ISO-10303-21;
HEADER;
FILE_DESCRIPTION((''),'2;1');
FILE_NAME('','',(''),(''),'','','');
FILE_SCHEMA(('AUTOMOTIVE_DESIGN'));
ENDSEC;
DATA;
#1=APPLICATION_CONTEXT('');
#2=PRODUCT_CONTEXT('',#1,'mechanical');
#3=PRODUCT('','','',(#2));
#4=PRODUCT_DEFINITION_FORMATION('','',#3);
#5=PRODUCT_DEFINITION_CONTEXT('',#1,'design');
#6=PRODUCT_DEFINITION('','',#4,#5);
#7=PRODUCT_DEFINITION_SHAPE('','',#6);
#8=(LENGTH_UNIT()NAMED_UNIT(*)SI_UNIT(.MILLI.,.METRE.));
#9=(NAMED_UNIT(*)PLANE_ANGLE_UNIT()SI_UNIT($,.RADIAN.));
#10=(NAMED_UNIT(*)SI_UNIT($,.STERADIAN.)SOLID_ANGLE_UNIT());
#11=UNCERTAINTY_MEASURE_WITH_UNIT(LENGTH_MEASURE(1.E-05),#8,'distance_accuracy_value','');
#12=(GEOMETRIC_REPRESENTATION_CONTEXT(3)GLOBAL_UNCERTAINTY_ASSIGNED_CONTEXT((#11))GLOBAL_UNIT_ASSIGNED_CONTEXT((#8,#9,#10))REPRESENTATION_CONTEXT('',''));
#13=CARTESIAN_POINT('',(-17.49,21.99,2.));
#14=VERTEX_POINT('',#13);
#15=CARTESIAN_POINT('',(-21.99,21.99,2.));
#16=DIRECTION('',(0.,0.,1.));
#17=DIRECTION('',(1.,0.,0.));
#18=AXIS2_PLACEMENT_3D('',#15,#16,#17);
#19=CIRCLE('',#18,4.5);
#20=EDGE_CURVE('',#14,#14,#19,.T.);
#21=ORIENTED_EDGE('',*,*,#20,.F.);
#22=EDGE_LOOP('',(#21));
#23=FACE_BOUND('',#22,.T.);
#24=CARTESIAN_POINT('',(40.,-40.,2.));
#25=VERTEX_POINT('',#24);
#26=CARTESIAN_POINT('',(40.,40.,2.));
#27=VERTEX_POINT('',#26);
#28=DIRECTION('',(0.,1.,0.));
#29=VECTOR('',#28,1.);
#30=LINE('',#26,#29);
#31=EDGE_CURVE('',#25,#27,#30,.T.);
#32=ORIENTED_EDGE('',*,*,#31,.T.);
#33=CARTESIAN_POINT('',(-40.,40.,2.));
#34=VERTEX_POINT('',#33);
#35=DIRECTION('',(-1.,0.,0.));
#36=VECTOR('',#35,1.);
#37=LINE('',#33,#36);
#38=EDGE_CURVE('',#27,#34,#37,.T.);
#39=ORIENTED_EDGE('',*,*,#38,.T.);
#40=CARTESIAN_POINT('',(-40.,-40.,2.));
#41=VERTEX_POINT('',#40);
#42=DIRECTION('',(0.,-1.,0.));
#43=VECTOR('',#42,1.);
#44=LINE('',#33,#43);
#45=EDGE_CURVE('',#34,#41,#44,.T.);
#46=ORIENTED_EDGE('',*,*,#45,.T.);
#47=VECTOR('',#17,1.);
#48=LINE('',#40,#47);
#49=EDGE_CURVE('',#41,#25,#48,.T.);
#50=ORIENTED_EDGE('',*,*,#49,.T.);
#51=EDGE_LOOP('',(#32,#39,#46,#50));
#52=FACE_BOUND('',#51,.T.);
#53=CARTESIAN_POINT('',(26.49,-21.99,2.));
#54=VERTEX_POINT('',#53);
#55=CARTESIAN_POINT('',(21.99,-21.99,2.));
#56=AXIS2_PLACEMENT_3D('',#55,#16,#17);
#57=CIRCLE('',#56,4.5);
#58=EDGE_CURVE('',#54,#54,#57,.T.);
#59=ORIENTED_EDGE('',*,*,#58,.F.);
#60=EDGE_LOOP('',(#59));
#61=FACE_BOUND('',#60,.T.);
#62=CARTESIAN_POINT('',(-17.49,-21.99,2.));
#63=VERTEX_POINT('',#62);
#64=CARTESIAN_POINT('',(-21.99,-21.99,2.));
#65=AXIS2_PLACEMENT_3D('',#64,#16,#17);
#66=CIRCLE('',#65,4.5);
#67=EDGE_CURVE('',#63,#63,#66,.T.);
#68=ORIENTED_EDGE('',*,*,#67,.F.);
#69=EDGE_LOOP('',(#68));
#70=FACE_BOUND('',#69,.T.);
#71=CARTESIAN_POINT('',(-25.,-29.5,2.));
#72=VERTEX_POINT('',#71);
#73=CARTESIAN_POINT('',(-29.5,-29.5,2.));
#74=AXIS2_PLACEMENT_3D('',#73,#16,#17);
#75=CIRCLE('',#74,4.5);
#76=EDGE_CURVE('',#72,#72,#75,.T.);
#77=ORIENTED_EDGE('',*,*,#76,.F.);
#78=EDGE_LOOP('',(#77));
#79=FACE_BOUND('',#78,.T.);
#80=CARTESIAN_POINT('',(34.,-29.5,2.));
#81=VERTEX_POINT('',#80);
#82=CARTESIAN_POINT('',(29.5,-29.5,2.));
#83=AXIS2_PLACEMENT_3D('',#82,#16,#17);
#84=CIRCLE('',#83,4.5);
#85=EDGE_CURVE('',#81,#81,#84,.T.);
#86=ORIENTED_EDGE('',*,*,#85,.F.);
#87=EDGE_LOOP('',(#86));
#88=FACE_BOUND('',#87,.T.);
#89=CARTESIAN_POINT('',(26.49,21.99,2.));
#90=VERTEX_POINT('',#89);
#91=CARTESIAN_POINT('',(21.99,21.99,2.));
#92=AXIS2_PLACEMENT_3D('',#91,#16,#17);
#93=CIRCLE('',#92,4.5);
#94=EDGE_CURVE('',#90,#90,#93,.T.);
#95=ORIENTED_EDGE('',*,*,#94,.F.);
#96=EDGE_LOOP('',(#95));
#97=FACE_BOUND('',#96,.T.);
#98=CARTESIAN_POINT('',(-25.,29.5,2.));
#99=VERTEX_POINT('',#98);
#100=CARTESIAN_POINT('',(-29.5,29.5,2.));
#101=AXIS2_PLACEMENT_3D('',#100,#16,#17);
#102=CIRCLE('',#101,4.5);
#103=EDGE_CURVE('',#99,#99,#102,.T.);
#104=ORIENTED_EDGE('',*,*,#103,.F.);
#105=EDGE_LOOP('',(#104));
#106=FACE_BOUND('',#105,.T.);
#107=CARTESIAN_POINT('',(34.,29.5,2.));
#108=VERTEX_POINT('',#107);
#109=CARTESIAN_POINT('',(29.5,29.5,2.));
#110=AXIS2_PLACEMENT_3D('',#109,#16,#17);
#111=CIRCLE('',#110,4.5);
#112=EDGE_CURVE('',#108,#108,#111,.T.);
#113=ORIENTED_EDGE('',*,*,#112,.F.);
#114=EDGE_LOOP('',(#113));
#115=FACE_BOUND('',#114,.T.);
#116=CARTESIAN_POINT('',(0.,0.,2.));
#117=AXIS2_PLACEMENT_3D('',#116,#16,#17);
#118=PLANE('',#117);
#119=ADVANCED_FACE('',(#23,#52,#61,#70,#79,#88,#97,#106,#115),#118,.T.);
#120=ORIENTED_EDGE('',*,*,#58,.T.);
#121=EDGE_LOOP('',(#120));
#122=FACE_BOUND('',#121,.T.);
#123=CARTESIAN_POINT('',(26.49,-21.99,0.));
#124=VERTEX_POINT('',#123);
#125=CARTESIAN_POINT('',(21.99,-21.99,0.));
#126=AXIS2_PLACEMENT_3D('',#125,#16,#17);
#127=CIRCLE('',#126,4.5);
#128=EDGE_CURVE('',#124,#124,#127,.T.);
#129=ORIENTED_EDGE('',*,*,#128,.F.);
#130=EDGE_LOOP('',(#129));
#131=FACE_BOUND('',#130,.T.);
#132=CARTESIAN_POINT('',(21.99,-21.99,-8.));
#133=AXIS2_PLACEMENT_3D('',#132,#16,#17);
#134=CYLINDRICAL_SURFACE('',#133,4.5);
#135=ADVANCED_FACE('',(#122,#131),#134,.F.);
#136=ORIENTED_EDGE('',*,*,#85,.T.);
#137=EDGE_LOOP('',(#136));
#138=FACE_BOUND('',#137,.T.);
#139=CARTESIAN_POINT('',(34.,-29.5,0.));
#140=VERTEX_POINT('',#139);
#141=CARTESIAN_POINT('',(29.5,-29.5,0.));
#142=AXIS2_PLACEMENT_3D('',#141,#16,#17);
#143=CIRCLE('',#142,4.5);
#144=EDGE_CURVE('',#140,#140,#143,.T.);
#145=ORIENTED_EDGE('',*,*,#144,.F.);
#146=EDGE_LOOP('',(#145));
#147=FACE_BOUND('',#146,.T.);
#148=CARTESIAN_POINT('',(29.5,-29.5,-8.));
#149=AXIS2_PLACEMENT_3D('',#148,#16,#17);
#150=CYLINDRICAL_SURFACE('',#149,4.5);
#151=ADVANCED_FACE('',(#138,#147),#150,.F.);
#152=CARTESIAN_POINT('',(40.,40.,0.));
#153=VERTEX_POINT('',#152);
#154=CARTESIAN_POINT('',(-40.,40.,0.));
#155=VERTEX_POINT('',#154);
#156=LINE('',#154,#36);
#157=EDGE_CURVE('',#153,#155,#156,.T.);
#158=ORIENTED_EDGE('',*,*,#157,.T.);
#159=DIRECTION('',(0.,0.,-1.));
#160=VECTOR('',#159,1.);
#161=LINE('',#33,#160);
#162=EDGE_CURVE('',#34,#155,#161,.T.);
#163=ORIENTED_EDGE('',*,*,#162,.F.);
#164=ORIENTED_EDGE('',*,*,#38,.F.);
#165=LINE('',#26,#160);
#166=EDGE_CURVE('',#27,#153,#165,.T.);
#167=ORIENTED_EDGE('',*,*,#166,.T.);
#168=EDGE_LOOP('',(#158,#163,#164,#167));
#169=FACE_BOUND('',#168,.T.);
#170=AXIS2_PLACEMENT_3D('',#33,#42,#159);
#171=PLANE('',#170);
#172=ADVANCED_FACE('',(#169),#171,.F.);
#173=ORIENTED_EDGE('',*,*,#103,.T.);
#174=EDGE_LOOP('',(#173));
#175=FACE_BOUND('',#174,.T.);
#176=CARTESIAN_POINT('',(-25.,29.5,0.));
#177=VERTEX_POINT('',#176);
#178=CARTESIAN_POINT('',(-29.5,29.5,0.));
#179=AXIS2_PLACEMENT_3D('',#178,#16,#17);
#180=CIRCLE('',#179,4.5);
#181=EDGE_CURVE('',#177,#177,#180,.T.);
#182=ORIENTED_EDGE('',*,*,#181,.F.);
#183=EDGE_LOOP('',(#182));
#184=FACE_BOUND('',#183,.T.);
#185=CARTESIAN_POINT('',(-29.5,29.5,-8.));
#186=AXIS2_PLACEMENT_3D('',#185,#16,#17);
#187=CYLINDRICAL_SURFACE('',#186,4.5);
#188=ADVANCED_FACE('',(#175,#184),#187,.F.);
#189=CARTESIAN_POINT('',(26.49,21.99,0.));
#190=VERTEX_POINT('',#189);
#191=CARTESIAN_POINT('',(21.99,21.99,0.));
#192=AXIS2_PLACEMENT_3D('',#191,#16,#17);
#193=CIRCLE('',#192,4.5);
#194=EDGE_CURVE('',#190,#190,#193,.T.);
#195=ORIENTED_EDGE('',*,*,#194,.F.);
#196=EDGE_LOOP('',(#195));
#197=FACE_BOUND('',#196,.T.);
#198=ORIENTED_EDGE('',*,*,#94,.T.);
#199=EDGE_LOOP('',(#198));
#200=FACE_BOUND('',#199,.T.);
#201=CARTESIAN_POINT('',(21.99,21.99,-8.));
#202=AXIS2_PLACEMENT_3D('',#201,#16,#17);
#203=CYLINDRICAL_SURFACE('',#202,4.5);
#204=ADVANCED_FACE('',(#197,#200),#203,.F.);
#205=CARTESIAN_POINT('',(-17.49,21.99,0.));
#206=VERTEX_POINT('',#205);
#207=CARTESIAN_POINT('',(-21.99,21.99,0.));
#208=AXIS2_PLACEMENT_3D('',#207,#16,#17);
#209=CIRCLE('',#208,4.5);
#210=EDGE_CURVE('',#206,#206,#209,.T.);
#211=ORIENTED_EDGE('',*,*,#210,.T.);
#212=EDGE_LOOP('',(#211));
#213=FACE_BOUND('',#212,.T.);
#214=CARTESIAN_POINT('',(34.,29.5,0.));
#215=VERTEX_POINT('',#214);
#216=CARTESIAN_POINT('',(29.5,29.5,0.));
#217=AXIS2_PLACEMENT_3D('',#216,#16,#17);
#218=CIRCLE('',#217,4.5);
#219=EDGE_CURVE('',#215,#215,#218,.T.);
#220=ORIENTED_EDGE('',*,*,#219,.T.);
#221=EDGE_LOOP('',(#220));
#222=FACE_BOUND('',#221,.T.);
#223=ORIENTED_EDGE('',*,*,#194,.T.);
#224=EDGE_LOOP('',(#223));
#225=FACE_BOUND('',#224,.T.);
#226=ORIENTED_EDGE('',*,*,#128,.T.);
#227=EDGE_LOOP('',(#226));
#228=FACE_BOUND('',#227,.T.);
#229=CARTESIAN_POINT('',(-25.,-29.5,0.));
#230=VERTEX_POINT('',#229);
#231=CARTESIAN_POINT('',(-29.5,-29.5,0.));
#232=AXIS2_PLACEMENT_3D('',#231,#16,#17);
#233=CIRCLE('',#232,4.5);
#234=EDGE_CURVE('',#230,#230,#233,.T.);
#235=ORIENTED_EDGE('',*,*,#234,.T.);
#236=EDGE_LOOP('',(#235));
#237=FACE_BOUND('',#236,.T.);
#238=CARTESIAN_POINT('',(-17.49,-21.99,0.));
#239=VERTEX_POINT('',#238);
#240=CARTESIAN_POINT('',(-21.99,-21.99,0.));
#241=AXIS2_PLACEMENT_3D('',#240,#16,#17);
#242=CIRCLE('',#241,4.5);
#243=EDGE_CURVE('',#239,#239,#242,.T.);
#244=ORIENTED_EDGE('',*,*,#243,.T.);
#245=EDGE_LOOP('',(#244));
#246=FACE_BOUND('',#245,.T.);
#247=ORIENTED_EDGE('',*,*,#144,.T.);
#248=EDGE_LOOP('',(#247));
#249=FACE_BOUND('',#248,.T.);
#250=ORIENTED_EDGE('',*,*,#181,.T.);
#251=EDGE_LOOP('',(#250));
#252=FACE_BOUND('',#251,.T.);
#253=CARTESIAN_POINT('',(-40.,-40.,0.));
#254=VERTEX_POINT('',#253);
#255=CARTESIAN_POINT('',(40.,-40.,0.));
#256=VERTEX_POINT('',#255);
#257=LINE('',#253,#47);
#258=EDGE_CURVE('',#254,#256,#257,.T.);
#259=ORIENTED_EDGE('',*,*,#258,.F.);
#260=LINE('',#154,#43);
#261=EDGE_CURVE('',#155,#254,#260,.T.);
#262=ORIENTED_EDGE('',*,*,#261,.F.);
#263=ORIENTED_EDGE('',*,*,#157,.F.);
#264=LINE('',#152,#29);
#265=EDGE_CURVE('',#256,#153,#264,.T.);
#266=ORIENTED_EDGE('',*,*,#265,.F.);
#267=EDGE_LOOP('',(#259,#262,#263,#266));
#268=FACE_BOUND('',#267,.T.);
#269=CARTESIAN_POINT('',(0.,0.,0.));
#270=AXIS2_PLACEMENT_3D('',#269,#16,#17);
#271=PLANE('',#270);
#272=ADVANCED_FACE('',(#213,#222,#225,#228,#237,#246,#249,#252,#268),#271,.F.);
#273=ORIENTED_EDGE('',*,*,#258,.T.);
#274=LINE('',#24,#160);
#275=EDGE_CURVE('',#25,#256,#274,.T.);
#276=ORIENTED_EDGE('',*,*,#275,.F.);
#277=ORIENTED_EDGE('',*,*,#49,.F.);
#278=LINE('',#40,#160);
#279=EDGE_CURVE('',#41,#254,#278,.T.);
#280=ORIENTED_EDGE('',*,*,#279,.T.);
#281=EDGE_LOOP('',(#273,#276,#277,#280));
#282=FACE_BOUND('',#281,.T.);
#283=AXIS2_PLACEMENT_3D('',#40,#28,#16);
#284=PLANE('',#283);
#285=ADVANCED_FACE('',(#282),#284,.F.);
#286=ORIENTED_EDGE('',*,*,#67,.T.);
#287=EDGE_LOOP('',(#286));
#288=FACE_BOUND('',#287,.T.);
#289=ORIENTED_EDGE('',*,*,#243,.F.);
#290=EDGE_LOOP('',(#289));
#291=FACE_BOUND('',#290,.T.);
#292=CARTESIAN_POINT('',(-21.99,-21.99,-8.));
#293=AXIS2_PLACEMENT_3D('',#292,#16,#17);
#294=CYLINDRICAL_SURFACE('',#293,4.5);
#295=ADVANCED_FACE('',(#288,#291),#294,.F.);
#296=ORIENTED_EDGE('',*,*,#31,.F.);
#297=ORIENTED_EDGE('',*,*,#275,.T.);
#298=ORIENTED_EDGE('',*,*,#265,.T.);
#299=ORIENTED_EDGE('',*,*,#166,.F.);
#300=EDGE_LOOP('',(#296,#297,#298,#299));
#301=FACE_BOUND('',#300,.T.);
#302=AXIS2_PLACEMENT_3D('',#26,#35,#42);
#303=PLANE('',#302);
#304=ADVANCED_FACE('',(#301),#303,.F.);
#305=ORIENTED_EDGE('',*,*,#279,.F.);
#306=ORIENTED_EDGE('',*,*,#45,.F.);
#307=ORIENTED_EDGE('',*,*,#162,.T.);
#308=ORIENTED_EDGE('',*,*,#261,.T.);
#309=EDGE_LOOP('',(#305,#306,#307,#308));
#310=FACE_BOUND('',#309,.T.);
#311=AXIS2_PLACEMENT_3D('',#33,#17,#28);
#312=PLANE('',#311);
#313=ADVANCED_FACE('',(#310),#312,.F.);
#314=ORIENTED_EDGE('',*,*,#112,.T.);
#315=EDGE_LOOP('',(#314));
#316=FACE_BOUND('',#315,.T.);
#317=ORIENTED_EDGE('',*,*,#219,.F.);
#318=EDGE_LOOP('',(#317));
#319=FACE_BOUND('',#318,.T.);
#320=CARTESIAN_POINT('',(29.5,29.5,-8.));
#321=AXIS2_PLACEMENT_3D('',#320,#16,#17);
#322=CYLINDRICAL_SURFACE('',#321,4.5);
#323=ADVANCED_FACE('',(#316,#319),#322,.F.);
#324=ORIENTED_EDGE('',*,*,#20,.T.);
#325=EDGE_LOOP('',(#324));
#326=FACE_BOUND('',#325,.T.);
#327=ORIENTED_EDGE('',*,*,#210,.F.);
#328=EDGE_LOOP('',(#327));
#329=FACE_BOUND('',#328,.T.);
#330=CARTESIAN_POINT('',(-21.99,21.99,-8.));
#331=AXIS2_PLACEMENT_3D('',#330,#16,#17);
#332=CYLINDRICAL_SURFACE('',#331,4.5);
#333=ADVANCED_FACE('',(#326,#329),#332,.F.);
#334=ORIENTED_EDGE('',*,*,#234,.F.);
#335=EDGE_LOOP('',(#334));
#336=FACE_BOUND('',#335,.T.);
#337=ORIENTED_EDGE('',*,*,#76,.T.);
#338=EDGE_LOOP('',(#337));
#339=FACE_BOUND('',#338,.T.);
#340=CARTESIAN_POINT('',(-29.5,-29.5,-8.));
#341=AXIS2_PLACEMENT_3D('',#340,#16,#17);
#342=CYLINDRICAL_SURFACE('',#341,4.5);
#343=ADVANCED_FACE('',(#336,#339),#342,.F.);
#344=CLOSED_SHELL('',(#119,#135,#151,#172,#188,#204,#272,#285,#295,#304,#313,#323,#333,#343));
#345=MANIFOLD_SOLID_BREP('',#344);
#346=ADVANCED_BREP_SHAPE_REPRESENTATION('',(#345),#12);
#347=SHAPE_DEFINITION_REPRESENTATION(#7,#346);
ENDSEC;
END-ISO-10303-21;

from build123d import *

# Parameters (mm, degrees)
SKETCH_1_W          = 80
SKETCH_1_H          = 80
EXTRUDE_1_DEPTH     = 2
CUT_EXTRUDE_1_DEPTH = 10


with BuildPart() as part:
    # ｽｹｯﾁ1 → ﾎﾞｽ - 押し出し1 (new body)
    with BuildSketch(Plane.XY):
        Rectangle(SKETCH_1_W, SKETCH_1_H)
    extrude(amount=EXTRUDE_1_DEPTH)

    # ｽｹｯﾁ2 → ｶｯﾄ - 押し出し1 (cut)
    with BuildSketch(Plane.XY.offset(2)):
        with BuildLine():
            ThreePointArc((29.5, -25), (26.318019485, -26.318019485), (25, -29.5))
            Line((25, -29.5), (29.5, -29.5))
            Line((29.5, -29.5), (29.5, -25))
        make_face()
        with BuildLine():
            Line((29.5, -29.5), (25, -29.5))
            ThreePointArc((25, -29.5), (29.5, -34), (34, -29.5))
            ThreePointArc((34, -29.5), (32.681980515, -26.318019485), (29.5, -25))
            Line((29.5, -25), (29.5, -29.5))
        make_face()
        with BuildLine():
            ThreePointArc((21.99, -17.49), (18.808019485, -18.808019485), (17.49, -21.99))
            Line((17.49, -21.99), (21.99, -21.99))
            Line((21.99, -21.99), (21.99, -17.49))
        make_face()
        with BuildLine():
            Line((21.99, -21.99), (17.49, -21.99))
            ThreePointArc((17.49, -21.99), (21.99, -26.49), (26.49, -21.99))
            ThreePointArc((26.49, -21.99), (25.171980515, -18.808019485), (21.99, -17.49))
            Line((21.99, -17.49), (21.99, -21.99))
        make_face()
        with BuildLine():
            ThreePointArc((25, 29.5), (26.318019485, 26.318019485), (29.5, 25))
            Line((29.5, 25), (29.5, 29.5))
            Line((29.5, 29.5), (25, 29.5))
        make_face()
        with BuildLine():
            Line((29.5, 29.5), (29.5, 25))
            ThreePointArc((29.5, 25), (32.681980515, 26.318019485), (34, 29.5))
            ThreePointArc((34, 29.5), (29.5, 34), (25, 29.5))
            Line((25, 29.5), (29.5, 29.5))
        make_face()
        with BuildLine():
            ThreePointArc((17.49, 21.99), (18.808019485, 18.808019485), (21.99, 17.49))
            Line((21.99, 17.49), (21.99, 21.99))
            Line((21.99, 21.99), (17.49, 21.99))
        make_face()
        with BuildLine():
            Line((21.99, 21.99), (21.99, 17.49))
            ThreePointArc((21.99, 17.49), (25.171980515, 18.808019485), (26.49, 21.99))
            ThreePointArc((26.49, 21.99), (21.99, 26.49), (17.49, 21.99))
            Line((17.49, 21.99), (21.99, 21.99))
        make_face()
        with BuildLine():
            ThreePointArc((-21.99, -17.49), (-25.171980515, -25.171980515), (-17.49, -21.99))
            Line((-17.49, -21.99), (-21.99, -21.99))
            Line((-21.99, -21.99), (-21.99, -17.49))
        make_face()
        with BuildLine():
            Line((-21.99, -21.99), (-17.49, -21.99))
            ThreePointArc((-17.49, -21.99), (-18.808019485, -18.808019485), (-21.99, -17.49))
            Line((-21.99, -17.49), (-21.99, -21.99))
        make_face()
        with BuildLine():
            ThreePointArc((-29.5, -25), (-32.681980515, -32.681980515), (-25, -29.5))
            Line((-25, -29.5), (-29.5, -29.5))
            Line((-29.5, -29.5), (-29.5, -25))
        make_face()
        with BuildLine():
            Line((-29.5, -29.5), (-25, -29.5))
            ThreePointArc((-25, -29.5), (-26.318019485, -26.318019485), (-29.5, -25))
            Line((-29.5, -25), (-29.5, -29.5))
        make_face()
        with BuildLine():
            ThreePointArc((-17.49, 21.99), (-25.171980515, 25.171980515), (-21.99, 17.49))
            Line((-21.99, 17.49), (-21.99, 21.99))
            Line((-21.99, 21.99), (-17.49, 21.99))
        make_face()
        with BuildLine():
            Line((-21.99, 21.99), (-21.99, 17.49))
            ThreePointArc((-21.99, 17.49), (-18.808019485, 18.808019485), (-17.49, 21.99))
            Line((-17.49, 21.99), (-21.99, 21.99))
        make_face()
        with BuildLine():
            ThreePointArc((-25, 29.5), (-32.681980515, 32.681980515), (-29.5, 25))
            Line((-29.5, 25), (-29.5, 29.5))
            Line((-29.5, 29.5), (-25, 29.5))
        make_face()
        with BuildLine():
            Line((-29.5, 29.5), (-29.5, 25))
            ThreePointArc((-29.5, 25), (-26.318019485, 26.318019485), (-25, 29.5))
            Line((-25, 29.5), (-29.5, 29.5))
        make_face()
    extrude(amount=-CUT_EXTRUDE_1_DEPTH, mode=Mode.SUBTRACT)


solid = part.part
